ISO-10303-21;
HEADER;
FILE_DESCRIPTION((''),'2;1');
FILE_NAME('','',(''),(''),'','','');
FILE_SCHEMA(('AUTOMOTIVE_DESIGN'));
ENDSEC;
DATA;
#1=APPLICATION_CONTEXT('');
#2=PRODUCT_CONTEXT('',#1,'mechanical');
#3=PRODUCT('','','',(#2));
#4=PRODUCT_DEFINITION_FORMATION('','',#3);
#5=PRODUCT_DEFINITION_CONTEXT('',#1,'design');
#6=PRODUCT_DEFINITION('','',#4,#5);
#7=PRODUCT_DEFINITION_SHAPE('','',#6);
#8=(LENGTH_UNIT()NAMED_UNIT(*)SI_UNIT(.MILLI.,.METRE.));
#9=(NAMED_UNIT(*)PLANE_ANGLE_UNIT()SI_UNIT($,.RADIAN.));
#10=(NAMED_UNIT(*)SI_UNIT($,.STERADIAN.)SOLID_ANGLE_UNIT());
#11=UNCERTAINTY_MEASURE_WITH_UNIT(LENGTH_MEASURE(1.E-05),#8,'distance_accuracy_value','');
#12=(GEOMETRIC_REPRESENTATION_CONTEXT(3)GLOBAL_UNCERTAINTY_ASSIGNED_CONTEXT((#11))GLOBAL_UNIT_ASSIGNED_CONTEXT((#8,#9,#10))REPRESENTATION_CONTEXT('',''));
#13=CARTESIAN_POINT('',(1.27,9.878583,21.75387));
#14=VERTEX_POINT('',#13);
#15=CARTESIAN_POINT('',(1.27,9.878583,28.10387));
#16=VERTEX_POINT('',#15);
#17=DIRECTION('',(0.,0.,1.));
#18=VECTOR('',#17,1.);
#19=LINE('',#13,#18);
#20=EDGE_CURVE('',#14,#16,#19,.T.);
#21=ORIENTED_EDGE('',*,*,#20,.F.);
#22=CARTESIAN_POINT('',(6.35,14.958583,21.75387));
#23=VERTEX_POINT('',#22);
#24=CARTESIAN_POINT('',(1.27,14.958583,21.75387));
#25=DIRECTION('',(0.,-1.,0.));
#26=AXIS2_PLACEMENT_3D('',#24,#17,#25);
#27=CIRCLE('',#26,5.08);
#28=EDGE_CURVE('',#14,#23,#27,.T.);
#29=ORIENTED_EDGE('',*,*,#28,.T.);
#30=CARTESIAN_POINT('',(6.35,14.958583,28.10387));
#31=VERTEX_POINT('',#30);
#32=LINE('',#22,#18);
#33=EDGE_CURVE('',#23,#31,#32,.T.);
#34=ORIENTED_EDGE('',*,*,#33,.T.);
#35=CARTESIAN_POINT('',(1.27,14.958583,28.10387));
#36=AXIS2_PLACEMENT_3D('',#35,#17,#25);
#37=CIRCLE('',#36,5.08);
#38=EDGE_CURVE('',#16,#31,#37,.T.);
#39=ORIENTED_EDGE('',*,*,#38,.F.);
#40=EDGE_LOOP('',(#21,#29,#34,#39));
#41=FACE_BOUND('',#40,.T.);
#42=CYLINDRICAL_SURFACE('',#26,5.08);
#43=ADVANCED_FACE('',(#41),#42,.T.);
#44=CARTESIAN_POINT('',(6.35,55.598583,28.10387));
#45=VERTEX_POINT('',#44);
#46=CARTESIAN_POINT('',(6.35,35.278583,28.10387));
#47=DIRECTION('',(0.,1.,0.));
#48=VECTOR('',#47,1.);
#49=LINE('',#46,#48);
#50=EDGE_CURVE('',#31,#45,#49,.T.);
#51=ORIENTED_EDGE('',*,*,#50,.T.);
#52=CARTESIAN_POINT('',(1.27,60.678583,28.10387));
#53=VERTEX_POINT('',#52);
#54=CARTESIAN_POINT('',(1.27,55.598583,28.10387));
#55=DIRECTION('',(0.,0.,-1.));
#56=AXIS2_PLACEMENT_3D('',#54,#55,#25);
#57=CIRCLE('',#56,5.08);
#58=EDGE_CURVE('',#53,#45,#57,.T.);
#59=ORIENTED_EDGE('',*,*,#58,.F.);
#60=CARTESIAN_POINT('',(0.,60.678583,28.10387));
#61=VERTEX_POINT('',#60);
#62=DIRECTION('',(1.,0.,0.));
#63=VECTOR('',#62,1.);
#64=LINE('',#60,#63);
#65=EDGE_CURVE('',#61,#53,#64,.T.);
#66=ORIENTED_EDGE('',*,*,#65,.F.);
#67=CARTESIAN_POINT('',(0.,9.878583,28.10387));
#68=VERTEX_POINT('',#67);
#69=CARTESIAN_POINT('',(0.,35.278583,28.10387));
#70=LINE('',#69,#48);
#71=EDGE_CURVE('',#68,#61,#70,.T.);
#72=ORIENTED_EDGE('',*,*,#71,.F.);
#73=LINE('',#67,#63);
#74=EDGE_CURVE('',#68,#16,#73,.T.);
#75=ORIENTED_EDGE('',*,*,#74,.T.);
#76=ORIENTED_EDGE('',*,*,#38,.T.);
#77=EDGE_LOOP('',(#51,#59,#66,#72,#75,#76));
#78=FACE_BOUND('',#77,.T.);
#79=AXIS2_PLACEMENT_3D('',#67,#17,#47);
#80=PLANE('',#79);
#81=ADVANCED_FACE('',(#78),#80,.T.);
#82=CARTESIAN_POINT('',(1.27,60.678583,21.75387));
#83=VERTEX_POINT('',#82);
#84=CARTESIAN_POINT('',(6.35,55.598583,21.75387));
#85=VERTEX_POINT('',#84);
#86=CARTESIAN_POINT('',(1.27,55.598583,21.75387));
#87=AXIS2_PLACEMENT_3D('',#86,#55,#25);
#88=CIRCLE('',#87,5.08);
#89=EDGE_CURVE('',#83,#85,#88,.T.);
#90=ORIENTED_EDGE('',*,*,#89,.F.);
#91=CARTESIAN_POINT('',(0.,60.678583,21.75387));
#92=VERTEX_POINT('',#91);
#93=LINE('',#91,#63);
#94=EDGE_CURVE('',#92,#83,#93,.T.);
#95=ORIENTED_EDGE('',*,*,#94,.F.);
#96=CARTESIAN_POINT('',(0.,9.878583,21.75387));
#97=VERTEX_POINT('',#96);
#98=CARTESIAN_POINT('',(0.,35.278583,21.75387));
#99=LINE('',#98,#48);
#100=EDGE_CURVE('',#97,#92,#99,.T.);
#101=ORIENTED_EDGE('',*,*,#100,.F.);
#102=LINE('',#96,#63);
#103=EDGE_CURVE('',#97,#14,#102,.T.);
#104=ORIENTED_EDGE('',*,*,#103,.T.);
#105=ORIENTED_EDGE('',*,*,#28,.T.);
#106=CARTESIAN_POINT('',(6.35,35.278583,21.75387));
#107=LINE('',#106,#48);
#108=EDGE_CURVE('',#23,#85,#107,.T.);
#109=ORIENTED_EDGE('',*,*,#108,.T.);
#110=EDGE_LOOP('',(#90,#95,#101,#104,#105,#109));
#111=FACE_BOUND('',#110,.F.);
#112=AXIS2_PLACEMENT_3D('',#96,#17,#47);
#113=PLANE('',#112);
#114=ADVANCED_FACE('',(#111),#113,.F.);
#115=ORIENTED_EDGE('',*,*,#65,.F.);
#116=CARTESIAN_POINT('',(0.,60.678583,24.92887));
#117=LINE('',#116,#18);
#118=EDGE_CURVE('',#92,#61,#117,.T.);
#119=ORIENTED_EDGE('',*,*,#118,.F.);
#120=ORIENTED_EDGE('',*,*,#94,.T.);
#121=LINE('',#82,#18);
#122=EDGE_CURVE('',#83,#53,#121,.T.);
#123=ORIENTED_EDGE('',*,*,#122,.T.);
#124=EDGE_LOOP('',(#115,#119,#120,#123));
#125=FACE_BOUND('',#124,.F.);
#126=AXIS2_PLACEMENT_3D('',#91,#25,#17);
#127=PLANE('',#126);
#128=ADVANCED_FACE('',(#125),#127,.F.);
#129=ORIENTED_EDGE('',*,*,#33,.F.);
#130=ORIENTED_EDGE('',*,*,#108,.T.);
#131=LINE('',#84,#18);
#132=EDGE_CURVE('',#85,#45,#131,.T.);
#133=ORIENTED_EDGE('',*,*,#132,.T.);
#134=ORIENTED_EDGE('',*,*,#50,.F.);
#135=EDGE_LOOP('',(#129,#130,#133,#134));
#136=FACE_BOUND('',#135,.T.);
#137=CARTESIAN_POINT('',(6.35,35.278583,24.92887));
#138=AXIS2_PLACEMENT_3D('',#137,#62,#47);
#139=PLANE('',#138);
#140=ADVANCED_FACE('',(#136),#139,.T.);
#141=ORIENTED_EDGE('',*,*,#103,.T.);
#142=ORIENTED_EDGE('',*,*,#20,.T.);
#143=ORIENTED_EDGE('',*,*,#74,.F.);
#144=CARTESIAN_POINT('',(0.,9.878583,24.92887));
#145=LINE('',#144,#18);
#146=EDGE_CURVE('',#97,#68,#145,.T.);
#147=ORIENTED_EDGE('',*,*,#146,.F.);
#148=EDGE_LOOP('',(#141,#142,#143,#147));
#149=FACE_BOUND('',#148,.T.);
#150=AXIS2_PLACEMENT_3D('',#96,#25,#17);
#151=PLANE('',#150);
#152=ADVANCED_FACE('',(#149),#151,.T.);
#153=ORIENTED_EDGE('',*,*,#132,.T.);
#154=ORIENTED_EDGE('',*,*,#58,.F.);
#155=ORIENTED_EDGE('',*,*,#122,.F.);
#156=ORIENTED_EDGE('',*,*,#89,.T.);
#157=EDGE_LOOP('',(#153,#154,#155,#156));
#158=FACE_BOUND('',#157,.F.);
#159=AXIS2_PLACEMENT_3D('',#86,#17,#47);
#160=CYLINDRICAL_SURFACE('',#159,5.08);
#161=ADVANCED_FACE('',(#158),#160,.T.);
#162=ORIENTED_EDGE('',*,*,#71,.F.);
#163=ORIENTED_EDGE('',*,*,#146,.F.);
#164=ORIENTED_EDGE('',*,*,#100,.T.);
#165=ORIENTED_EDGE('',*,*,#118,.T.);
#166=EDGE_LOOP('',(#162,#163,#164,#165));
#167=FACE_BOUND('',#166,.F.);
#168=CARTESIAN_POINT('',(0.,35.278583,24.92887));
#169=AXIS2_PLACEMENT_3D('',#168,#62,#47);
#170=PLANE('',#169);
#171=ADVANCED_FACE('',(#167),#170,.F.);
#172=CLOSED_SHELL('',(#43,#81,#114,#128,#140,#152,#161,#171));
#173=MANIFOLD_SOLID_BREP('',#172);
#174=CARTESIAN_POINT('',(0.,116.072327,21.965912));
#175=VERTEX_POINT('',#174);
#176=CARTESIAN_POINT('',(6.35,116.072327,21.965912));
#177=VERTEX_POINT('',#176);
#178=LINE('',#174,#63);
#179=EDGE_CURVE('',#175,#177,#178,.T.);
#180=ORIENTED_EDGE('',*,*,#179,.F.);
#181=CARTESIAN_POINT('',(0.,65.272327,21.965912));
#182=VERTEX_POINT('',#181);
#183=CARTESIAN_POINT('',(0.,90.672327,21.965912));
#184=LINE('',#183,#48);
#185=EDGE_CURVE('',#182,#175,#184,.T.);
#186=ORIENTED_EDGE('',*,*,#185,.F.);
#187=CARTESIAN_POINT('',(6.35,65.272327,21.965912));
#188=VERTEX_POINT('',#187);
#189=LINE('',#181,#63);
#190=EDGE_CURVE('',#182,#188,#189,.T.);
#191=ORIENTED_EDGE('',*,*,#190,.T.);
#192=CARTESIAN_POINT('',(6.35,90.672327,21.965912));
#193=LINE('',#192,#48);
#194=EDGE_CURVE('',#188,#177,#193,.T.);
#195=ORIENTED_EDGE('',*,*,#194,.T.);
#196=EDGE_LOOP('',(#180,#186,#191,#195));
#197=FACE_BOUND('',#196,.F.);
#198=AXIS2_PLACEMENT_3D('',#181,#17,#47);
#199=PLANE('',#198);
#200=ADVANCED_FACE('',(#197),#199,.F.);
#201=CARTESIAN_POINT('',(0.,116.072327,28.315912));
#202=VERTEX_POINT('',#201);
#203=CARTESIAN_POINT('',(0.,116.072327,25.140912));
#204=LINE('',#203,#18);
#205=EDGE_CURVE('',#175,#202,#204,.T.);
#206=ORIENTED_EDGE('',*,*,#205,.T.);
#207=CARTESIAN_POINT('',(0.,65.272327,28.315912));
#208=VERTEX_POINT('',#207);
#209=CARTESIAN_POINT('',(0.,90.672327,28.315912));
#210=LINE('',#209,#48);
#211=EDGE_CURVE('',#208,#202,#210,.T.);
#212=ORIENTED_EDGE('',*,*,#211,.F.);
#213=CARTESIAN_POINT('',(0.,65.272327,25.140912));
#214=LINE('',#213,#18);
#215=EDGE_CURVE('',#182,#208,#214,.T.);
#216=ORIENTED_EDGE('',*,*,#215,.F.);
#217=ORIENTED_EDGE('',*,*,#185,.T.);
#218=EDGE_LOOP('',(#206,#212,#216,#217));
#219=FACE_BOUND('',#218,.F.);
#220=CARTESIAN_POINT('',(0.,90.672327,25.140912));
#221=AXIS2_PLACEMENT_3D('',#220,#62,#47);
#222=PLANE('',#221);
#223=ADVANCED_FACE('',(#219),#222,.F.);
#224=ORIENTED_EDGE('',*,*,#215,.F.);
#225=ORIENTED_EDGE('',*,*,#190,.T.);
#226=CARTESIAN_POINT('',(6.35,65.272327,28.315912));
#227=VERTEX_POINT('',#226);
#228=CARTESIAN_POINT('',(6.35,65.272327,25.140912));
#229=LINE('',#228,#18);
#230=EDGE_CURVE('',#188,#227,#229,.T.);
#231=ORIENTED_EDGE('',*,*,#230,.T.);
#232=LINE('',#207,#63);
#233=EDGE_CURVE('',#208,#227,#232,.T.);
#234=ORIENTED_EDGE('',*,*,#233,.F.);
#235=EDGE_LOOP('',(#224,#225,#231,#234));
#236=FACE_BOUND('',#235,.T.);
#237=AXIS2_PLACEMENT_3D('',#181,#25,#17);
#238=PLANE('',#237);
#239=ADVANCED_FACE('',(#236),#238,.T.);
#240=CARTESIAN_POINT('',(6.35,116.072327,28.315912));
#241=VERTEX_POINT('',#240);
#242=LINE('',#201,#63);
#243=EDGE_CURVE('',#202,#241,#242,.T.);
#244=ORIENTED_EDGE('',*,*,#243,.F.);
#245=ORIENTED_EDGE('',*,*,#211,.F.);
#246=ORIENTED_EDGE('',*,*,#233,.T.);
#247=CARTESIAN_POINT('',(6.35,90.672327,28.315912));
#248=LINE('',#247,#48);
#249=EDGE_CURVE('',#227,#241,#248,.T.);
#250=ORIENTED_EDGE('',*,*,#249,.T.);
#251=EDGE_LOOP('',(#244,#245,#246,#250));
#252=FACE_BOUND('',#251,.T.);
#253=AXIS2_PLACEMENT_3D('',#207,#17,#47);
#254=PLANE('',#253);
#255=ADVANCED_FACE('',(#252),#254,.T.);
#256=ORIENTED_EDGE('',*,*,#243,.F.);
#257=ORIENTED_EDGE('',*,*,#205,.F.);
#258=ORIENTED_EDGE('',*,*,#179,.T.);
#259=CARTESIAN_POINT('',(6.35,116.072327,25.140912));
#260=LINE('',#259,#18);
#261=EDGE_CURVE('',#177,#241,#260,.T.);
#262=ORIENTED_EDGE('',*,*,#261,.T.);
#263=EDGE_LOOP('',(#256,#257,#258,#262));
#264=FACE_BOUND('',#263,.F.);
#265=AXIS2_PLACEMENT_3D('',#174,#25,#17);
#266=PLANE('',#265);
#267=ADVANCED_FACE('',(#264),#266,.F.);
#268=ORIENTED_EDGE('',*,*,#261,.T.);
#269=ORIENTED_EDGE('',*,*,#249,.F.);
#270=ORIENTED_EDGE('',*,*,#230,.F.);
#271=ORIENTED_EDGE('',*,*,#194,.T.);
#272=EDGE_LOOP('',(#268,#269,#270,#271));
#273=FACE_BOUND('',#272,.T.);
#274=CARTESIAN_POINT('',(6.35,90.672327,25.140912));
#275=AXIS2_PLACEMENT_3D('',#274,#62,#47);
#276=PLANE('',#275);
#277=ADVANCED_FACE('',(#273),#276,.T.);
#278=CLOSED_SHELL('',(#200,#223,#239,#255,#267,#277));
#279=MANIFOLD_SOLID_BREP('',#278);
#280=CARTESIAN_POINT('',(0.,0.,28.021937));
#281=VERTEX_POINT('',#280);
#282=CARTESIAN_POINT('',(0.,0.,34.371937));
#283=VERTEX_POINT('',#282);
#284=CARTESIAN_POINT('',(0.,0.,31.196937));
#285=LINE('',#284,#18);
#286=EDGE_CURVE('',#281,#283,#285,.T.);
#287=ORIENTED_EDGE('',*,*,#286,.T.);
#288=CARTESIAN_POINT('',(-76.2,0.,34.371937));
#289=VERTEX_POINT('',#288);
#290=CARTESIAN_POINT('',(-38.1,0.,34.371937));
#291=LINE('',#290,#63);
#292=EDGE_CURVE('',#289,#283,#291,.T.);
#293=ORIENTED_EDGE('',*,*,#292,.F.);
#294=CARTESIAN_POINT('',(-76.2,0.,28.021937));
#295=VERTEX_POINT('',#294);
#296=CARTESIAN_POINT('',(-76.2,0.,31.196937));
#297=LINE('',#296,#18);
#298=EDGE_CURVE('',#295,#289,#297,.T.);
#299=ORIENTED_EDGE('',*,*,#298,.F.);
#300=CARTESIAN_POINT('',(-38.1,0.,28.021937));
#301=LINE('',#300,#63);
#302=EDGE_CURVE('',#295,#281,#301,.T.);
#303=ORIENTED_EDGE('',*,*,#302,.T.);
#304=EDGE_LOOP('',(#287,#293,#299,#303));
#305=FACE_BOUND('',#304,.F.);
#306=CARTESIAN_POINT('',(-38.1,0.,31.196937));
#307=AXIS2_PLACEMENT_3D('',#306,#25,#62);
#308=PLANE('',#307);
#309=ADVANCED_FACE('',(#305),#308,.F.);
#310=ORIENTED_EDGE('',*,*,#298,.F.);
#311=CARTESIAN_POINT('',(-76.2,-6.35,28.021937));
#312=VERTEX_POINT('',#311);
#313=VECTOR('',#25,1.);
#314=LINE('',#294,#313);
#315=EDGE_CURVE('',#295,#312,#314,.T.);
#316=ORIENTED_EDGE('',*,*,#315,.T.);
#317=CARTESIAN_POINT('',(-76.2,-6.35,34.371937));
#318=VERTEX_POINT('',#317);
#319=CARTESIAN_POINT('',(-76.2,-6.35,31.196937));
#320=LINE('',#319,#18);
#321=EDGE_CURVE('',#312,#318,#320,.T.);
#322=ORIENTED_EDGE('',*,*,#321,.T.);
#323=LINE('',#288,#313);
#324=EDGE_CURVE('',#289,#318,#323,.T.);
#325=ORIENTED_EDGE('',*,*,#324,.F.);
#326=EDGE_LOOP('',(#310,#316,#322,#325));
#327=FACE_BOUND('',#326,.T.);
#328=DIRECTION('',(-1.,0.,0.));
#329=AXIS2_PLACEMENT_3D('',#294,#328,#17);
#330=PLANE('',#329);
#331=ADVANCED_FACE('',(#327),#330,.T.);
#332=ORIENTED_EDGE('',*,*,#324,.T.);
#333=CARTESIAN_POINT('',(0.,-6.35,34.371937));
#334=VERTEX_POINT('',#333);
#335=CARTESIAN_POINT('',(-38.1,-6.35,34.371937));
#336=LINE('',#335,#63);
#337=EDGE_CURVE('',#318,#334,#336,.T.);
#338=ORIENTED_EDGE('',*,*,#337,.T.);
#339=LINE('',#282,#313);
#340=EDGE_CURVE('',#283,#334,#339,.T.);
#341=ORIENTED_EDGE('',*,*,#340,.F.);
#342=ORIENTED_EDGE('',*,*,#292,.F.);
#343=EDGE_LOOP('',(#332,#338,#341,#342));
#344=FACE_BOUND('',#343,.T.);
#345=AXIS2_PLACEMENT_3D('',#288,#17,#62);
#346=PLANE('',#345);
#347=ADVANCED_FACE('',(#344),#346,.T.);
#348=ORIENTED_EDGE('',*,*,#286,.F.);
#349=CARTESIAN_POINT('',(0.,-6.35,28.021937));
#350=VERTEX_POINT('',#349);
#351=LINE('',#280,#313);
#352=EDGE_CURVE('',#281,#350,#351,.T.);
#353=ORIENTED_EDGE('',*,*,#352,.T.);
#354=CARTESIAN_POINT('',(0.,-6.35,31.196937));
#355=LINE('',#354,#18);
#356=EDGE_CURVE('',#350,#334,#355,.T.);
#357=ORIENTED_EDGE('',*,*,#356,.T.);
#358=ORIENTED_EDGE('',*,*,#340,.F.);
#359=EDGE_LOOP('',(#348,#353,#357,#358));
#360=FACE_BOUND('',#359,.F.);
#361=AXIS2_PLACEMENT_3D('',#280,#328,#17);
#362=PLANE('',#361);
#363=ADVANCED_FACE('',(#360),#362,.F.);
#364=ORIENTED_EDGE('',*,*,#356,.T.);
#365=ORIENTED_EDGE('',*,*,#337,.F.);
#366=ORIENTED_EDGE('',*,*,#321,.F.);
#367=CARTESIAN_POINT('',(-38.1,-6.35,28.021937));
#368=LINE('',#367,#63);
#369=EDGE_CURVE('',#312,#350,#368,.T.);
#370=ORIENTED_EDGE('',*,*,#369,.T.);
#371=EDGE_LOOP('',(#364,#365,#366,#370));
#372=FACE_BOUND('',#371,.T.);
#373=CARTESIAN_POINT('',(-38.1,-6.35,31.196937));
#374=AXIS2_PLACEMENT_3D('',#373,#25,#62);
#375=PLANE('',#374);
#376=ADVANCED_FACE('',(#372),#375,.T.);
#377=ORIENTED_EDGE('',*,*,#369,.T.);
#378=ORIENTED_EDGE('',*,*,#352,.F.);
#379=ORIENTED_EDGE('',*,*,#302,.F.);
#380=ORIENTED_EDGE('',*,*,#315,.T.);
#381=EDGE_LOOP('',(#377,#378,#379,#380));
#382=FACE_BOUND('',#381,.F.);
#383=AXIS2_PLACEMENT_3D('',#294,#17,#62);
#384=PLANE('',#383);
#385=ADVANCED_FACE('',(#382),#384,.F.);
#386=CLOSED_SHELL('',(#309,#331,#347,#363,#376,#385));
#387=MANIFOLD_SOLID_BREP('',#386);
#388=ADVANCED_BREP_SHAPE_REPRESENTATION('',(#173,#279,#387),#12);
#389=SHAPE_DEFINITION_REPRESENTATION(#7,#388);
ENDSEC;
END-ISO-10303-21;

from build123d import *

# Parameters (mm, degrees)
F0_W     = 76.2
F0_H     = 6.35
F1_DEPTH = 6.35
F2_W     = 50.8
F2_H     = 6.35
F3_DEPTH = 6.35
F4_W     = 50.8
F4_H     = 6.35
F5_DEPTH = 6.35
F6_R     = 5.08


with BuildPart() as f1:
    # F0 (on Front) → F1 (new body)
    with BuildSketch(Plane.XZ):
        with Locations((-38.1, 31.196937)):
            Rectangle(F0_W, F0_H)
    extrude(amount=F1_DEPTH)


with BuildPart() as f3:
    # F2 (on Right) → F3 (new body)
    with BuildSketch(Plane.YZ):
        with Locations((90.672327, 25.140912)):
            Rectangle(F2_W, F2_H)
    extrude(amount=F3_DEPTH)


with BuildPart() as f5:
    # F4 (on Right) → F5 (new body)
    with BuildSketch(Plane.YZ):
        with Locations((35.278583, 24.92887)):
            Rectangle(F4_W, F4_H)
    extrude(amount=F5_DEPTH)

    # F6
    f6_edges = [f5.edges().sort_by_distance(p)[0] for p in [
        (6.35, 9.878583, 24.92887),
        (6.35, 60.678583, 24.92887),
    ]]
    fillet(f6_edges, radius=F6_R)


solid = Compound([f1.part, f3.part, f5.part])
